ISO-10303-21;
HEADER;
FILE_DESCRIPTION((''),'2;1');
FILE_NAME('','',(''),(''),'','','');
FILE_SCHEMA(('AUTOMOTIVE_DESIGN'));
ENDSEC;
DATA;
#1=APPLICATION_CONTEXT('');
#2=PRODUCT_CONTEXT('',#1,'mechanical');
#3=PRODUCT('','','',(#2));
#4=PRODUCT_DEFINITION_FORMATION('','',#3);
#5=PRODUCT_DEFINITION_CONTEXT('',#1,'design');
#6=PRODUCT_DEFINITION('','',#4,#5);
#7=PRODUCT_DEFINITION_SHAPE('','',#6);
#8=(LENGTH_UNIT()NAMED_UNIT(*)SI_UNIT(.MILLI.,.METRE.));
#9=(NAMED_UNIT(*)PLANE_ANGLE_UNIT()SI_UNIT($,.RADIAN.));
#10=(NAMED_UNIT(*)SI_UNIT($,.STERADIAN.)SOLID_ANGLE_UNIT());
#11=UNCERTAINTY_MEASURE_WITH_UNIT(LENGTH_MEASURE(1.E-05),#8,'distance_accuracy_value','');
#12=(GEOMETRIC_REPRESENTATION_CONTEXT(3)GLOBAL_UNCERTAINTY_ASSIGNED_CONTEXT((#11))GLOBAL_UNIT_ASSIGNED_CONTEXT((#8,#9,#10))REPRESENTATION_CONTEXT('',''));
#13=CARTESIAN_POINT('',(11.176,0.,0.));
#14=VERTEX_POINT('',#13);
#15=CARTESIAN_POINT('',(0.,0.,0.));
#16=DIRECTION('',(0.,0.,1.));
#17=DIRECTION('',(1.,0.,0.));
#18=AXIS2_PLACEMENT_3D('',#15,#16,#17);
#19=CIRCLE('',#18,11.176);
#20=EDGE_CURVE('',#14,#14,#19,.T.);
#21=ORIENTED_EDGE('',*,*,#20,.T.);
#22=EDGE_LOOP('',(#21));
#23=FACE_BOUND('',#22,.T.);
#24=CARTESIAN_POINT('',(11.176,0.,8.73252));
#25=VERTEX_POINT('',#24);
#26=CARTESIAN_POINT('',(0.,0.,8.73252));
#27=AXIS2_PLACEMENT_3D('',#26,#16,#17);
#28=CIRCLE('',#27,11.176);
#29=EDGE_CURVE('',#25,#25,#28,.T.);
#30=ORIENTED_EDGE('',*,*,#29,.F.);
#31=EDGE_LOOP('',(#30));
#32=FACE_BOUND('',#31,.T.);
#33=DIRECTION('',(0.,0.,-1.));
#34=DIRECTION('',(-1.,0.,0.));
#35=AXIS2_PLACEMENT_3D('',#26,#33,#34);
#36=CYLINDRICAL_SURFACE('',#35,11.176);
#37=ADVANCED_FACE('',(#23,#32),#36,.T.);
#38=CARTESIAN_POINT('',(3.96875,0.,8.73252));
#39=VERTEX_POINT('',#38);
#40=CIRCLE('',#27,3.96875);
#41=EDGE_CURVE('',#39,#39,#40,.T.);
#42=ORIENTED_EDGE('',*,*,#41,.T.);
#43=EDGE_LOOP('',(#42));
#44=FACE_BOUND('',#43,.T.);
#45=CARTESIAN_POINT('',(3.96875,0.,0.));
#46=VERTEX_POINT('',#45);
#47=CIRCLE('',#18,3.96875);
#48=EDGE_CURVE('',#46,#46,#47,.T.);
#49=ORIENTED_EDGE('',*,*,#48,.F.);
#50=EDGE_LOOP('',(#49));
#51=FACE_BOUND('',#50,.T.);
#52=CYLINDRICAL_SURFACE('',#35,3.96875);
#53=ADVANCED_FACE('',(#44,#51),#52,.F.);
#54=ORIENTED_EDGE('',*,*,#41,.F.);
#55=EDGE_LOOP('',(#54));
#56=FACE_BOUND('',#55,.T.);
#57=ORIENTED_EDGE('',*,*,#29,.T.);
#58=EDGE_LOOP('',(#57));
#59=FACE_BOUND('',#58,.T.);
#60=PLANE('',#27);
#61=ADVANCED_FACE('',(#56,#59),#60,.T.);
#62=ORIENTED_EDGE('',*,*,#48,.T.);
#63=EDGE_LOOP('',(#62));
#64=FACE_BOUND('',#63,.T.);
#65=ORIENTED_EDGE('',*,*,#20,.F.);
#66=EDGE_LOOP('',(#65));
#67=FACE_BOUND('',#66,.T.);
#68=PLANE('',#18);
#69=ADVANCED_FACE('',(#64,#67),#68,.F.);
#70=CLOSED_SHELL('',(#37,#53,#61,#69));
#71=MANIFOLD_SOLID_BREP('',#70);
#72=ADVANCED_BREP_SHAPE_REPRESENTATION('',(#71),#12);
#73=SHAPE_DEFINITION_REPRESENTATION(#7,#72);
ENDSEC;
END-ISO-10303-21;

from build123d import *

# Parameters (mm, degrees)
SKETCH1_R           = 11.176
SKETCH1_R_2         = 3.96875
BOSS_EXTRUDE1_DEPTH = 8.73252


with BuildPart() as part:
    # Sketch1 → Boss-Extrude1 (new body)
    with BuildSketch(Plane.XY):
        Circle(SKETCH1_R)
        Circle(SKETCH1_R_2, mode=Mode.SUBTRACT)
    extrude(amount=BOSS_EXTRUDE1_DEPTH)


solid = part.part
